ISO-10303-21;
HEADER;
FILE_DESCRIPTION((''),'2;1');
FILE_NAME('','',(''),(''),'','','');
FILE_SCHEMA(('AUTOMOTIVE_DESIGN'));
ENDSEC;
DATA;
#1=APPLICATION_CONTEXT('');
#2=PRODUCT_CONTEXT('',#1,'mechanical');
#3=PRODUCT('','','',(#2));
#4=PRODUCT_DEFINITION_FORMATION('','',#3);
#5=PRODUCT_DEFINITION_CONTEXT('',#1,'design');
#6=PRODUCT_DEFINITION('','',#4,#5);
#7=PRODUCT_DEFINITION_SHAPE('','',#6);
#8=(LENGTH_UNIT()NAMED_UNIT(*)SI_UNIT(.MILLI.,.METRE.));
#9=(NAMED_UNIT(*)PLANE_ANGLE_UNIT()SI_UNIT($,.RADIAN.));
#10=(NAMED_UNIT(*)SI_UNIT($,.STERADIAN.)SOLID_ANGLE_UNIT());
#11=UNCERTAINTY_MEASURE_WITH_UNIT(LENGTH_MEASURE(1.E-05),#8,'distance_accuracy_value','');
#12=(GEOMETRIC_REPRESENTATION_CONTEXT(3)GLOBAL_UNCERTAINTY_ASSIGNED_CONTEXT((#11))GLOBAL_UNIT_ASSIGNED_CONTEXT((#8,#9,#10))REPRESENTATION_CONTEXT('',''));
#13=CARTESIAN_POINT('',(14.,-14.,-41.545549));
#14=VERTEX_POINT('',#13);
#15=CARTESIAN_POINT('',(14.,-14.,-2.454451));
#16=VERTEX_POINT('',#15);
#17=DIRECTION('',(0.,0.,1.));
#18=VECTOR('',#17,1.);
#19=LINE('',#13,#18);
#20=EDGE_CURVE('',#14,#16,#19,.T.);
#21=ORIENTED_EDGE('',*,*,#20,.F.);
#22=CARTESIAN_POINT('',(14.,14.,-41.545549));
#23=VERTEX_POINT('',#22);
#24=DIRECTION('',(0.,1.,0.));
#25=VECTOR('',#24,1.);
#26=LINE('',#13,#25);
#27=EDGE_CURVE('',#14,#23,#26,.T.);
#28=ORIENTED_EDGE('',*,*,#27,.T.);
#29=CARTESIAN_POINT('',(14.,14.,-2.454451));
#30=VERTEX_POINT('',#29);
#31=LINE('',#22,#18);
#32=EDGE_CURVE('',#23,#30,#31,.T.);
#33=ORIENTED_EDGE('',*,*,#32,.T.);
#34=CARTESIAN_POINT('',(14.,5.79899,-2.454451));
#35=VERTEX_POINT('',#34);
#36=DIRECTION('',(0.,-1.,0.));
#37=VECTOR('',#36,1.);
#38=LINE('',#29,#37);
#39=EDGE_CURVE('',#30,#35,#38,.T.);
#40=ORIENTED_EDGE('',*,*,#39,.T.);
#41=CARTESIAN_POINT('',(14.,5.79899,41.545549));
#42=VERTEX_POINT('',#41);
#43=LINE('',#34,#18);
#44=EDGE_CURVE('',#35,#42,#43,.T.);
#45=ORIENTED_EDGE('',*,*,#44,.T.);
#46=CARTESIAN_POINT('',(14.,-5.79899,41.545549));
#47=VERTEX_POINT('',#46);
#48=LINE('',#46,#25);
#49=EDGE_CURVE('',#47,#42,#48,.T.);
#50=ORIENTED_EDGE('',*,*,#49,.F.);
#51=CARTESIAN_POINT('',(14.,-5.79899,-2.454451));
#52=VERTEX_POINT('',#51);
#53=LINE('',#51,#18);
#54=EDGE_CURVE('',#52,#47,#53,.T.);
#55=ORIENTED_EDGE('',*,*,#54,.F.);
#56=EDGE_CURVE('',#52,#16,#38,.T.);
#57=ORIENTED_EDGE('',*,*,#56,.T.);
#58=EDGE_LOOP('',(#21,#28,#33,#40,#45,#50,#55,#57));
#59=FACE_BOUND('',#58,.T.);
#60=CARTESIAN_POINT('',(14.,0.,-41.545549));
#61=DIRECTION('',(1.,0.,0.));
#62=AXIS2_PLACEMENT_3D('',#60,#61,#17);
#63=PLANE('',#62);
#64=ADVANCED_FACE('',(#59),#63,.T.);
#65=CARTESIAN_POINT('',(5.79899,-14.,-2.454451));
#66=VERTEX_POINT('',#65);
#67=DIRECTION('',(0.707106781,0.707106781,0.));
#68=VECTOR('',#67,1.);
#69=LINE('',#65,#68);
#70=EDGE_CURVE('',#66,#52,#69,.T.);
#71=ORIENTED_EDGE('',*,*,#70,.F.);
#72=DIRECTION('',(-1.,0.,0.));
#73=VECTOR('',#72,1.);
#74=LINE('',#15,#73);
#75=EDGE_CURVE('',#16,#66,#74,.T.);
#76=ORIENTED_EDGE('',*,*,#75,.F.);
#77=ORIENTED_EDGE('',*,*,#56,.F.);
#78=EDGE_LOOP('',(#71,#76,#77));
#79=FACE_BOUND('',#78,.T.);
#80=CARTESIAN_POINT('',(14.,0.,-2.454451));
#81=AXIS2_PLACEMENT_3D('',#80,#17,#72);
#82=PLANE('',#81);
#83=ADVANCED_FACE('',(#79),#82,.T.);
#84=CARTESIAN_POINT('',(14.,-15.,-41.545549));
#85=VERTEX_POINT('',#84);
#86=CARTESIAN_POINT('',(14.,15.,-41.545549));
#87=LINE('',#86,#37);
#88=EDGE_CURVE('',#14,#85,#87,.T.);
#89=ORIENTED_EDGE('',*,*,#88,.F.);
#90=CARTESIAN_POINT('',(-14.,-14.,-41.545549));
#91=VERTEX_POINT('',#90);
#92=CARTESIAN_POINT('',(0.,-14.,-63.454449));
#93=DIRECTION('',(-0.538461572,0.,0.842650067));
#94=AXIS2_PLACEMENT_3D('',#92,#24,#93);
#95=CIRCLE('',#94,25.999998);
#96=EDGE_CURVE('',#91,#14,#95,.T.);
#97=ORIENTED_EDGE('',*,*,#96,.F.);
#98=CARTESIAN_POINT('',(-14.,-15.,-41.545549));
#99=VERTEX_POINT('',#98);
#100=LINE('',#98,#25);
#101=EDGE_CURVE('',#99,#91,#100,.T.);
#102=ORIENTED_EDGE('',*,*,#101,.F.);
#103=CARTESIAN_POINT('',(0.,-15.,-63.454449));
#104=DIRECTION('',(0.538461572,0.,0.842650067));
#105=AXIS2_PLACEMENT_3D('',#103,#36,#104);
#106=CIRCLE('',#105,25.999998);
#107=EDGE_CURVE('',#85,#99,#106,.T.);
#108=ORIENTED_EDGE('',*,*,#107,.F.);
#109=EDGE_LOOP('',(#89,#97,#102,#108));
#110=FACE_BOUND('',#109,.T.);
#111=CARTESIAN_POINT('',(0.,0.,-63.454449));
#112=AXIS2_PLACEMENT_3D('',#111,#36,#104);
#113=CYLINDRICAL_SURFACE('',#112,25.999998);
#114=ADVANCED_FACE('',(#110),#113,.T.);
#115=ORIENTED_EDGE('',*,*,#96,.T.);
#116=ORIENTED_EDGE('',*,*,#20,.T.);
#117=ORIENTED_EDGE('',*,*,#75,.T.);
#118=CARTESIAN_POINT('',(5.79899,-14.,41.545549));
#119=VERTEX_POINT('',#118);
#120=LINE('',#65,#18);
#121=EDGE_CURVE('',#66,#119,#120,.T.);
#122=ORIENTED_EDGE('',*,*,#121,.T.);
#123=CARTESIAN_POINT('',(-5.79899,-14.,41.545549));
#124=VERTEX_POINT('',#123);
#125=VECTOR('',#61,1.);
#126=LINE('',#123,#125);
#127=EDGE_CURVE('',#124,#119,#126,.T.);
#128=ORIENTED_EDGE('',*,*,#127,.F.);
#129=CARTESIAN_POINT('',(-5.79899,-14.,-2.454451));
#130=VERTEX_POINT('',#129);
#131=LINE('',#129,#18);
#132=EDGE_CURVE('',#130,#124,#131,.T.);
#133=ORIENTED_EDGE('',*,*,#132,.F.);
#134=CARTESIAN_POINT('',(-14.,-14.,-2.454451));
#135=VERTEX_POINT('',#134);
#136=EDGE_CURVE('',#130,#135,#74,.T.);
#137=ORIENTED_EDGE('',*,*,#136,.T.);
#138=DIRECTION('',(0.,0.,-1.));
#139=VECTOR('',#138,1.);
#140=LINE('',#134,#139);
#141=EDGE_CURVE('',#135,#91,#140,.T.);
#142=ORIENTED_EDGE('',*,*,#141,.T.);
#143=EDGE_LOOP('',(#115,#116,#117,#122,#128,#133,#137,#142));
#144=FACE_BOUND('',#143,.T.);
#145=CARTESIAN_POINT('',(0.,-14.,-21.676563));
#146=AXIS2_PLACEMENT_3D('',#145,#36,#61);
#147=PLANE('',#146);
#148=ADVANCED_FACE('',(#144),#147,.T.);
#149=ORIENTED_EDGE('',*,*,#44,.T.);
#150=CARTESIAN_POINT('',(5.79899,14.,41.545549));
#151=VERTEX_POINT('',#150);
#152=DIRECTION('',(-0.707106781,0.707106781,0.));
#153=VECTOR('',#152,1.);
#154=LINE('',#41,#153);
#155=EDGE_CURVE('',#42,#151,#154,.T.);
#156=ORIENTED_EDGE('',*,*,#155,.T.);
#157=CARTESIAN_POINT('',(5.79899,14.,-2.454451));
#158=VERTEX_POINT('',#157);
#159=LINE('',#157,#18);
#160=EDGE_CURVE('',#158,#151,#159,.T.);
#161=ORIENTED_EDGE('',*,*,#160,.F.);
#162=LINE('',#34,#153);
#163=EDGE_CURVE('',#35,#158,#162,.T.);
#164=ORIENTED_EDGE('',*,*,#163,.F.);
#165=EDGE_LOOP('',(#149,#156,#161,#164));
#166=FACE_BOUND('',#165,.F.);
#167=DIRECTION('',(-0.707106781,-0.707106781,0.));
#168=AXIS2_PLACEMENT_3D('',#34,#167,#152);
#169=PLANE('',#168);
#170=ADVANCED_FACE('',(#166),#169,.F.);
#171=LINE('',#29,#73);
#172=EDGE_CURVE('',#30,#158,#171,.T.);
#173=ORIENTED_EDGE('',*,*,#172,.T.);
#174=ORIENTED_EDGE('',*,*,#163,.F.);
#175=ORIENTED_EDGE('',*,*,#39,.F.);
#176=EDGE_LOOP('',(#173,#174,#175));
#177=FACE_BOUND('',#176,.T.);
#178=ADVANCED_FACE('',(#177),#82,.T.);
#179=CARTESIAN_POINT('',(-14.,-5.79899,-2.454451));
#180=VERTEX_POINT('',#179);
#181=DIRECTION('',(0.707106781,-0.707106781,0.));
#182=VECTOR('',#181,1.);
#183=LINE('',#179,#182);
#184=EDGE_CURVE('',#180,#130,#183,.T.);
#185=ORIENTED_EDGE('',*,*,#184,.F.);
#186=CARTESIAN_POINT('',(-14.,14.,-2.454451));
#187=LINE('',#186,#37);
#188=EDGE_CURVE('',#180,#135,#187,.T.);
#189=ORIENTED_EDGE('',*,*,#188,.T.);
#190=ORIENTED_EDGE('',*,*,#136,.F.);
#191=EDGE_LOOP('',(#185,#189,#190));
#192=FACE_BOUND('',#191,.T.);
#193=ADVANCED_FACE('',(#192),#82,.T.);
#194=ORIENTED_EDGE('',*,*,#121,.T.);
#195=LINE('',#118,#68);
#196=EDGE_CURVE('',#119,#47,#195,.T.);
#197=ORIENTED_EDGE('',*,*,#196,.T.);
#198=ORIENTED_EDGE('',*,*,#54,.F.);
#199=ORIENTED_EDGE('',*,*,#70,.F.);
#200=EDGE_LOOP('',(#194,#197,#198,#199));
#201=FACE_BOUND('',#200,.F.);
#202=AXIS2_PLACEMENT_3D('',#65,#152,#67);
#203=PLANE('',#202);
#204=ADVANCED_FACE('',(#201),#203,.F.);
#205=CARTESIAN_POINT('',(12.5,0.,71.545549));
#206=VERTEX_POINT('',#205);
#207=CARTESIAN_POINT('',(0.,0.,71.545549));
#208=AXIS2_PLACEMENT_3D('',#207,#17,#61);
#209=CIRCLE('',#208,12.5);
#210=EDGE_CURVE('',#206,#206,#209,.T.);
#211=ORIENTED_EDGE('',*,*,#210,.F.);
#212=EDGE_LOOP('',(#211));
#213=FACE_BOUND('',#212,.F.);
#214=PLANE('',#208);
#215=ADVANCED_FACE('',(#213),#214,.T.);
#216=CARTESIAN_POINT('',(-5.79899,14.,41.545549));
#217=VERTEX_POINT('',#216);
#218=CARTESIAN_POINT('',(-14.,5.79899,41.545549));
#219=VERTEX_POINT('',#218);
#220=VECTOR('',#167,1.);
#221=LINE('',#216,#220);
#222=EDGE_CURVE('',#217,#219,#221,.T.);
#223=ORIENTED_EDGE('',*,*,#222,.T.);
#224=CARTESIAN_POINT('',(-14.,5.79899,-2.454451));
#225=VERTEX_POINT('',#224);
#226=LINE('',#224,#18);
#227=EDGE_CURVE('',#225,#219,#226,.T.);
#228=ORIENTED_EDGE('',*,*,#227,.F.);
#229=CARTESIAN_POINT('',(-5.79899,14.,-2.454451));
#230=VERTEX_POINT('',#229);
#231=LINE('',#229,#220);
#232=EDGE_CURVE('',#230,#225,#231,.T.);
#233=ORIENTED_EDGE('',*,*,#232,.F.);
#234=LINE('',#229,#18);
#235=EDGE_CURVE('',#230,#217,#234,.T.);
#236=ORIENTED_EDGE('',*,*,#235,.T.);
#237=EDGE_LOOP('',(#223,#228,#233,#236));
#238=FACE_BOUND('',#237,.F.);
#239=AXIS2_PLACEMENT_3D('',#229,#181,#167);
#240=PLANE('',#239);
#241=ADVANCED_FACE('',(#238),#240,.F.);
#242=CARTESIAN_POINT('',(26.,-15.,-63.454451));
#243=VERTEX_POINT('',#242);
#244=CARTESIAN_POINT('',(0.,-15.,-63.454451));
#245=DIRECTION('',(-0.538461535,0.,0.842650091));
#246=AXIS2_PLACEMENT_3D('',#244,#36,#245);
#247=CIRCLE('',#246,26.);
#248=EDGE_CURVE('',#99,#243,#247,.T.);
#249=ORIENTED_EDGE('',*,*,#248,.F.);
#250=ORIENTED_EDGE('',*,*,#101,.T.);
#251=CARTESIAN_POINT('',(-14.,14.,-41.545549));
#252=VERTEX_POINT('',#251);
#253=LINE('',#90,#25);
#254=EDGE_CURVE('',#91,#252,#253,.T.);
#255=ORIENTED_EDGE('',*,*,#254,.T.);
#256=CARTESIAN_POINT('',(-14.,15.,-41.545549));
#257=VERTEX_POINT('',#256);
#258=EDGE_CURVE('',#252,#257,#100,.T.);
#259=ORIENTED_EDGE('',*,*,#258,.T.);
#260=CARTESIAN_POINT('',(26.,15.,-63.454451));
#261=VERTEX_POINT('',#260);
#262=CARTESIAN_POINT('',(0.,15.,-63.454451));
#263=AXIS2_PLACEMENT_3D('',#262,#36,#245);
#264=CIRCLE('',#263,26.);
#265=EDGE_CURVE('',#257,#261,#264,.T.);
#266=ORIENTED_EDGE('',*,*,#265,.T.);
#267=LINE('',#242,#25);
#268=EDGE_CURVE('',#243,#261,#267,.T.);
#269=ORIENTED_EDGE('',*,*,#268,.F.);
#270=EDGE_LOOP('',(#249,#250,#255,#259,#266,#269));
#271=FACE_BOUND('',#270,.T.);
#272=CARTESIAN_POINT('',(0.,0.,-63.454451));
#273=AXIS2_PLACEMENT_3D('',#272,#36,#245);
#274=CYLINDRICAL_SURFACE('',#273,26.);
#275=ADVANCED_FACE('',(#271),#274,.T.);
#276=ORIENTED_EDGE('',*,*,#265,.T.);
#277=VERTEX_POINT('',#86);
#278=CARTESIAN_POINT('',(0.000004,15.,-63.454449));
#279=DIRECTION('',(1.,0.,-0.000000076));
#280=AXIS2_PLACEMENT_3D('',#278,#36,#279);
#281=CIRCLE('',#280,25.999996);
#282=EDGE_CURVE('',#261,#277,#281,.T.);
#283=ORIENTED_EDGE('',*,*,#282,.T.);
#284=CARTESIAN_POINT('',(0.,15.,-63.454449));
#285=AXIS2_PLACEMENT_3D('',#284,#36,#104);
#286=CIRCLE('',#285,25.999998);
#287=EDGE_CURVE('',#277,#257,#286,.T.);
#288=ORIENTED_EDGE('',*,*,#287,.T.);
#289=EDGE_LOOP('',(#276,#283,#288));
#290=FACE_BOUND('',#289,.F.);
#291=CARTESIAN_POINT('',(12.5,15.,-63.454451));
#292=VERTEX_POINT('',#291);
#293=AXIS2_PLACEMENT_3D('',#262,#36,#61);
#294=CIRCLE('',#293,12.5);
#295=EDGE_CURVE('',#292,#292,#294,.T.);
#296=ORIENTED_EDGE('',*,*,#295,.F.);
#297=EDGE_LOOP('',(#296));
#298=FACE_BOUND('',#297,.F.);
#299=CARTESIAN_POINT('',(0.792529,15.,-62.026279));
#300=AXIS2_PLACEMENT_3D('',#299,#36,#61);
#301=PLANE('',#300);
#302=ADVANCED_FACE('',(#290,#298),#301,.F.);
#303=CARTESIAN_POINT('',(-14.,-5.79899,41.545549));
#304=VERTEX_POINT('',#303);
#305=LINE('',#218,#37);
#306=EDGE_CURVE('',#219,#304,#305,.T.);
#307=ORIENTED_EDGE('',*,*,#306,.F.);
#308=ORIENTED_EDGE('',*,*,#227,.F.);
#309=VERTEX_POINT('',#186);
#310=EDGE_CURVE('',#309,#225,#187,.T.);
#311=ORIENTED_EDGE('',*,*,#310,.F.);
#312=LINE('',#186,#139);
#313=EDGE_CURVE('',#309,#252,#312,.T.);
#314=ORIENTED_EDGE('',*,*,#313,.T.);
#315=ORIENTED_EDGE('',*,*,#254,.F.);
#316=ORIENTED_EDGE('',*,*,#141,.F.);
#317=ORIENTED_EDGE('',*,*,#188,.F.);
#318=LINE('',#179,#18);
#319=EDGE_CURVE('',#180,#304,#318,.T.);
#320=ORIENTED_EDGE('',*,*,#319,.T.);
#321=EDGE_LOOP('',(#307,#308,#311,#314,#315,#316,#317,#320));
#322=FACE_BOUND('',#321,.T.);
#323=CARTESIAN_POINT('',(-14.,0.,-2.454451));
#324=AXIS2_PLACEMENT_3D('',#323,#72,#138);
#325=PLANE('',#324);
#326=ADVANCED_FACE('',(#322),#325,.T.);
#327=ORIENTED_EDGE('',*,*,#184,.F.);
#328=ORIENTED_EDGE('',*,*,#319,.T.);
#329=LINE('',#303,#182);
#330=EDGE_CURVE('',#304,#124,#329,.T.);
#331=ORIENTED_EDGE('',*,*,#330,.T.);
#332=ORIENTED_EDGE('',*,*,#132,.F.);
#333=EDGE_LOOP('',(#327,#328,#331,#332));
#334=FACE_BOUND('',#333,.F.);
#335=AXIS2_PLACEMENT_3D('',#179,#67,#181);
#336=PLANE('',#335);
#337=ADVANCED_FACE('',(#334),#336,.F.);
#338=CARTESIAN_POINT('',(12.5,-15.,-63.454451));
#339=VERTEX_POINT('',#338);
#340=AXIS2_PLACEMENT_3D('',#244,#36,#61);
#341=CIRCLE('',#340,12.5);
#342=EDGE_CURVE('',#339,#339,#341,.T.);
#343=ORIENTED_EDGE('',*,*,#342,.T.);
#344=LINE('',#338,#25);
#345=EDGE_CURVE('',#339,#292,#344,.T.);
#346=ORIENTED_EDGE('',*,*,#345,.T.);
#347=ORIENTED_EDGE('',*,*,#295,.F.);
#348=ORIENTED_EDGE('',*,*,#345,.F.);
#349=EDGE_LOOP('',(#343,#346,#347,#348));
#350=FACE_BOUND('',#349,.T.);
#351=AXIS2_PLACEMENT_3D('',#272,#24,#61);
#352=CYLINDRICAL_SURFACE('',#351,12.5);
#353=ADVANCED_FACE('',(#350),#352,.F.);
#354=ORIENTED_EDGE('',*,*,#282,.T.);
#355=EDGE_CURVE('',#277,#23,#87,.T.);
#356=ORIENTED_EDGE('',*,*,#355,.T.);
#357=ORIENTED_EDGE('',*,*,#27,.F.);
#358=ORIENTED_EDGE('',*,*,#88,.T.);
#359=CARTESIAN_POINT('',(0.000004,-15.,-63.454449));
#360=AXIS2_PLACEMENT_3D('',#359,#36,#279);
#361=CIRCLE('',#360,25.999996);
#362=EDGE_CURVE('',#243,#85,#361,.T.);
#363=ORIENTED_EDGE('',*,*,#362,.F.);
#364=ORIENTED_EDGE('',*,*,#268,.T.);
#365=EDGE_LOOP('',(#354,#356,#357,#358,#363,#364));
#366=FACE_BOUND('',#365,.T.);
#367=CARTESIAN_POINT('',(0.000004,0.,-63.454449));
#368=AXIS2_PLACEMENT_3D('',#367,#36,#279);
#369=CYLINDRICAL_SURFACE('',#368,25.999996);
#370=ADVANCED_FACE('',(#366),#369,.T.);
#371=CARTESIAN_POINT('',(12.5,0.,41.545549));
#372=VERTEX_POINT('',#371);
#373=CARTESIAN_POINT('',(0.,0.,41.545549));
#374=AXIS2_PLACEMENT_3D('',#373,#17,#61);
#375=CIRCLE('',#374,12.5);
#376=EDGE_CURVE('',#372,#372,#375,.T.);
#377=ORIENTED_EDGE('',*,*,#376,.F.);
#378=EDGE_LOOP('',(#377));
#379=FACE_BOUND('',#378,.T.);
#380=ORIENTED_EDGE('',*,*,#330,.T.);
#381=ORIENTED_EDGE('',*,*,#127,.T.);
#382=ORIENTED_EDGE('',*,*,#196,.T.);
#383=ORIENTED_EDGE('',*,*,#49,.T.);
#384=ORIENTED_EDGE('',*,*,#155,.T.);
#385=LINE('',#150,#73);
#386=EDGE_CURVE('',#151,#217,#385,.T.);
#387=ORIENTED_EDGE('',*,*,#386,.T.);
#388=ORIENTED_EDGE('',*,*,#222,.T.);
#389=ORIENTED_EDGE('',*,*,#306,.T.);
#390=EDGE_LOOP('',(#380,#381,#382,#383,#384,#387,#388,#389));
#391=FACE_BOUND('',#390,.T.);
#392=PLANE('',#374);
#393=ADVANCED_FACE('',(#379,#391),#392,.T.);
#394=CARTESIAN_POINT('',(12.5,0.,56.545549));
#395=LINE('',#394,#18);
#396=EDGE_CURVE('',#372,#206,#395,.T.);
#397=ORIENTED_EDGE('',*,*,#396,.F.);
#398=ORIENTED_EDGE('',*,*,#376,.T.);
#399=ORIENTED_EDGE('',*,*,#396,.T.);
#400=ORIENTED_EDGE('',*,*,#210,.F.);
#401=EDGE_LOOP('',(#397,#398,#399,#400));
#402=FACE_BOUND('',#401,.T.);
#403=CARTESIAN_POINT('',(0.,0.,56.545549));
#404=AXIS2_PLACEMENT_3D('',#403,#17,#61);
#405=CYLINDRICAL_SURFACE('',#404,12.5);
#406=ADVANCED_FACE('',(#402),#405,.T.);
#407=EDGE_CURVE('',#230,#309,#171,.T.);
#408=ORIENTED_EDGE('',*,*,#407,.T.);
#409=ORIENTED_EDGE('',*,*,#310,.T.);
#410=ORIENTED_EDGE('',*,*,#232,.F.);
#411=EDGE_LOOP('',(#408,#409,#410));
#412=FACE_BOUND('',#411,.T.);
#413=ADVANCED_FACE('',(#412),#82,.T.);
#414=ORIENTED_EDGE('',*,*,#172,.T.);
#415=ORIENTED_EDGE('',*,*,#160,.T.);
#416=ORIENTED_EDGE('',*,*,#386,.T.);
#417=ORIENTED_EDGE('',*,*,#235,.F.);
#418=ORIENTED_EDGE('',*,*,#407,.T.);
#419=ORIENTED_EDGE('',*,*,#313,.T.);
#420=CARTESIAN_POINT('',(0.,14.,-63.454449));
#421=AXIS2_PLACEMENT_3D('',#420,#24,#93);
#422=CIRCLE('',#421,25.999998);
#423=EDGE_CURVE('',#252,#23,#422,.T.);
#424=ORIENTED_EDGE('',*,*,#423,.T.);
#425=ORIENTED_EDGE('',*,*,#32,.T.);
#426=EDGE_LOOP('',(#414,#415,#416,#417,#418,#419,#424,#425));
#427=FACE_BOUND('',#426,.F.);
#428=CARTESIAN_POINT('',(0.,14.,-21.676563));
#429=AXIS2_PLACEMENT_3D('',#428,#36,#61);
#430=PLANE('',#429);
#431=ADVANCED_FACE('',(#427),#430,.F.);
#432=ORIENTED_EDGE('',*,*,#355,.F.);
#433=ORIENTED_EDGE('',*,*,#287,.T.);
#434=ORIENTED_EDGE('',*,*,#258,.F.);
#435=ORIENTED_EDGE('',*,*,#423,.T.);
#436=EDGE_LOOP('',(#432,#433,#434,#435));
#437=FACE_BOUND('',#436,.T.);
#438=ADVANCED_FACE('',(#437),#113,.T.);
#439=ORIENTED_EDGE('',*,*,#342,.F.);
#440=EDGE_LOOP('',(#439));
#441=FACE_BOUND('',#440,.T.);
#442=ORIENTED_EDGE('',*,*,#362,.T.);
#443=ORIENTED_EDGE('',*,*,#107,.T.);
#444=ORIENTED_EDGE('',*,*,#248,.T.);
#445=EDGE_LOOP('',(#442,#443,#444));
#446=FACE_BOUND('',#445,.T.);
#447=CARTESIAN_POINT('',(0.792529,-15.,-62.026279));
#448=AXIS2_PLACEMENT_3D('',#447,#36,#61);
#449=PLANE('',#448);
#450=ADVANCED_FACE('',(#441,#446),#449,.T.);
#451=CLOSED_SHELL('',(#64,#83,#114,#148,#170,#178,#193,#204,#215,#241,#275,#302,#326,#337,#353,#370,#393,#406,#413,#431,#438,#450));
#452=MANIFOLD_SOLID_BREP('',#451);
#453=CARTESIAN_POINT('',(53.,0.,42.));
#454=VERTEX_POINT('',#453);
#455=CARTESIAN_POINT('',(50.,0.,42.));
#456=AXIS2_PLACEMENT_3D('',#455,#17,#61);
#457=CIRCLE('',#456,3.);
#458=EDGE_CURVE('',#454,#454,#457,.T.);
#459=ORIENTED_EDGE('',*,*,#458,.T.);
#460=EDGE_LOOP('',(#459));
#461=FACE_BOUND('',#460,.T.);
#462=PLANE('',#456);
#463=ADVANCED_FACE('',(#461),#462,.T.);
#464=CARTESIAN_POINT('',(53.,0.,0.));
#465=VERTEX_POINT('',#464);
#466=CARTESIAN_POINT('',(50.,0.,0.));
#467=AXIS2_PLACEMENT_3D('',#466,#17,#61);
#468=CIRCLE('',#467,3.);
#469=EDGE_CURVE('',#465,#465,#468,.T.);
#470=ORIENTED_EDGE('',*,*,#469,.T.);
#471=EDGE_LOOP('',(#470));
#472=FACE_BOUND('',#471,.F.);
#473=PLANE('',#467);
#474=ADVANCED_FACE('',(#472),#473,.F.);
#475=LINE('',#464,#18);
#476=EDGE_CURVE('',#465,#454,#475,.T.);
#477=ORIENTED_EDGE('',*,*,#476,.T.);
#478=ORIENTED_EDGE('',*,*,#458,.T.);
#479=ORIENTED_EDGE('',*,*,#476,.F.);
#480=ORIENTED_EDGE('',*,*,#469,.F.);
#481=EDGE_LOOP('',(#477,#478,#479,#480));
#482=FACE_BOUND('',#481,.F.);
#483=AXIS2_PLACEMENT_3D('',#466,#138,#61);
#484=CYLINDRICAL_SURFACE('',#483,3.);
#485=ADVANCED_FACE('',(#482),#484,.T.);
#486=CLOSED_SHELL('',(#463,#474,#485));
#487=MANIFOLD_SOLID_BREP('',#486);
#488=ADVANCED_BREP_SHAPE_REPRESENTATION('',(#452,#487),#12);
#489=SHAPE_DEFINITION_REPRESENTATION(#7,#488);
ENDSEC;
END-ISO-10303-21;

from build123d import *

# Parameters (mm, degrees)
F0_R     = 12.5
F1_DEPTH = 15
F2_DEPTH = 14
F4_DEPTH = 44
F0_W     = 12.5
F0_H     = 30
F6_R     = 3
F7_DEPTH = 42


with BuildPart() as f1:
    # F0 (on Front) → F1 (new body, symmetric)
    with BuildSketch(Plane.XZ):
        with BuildLine():
            ThreePointArc((26, -63.454451), (22.803509, -50.964455), (14, -41.545549))
            ThreePointArc((14, -41.545549), (0, -37.454451), (-14, -41.545549))
            ThreePointArc((-14, -41.545549), (-12.489996, -86.25796), (26, -63.454451))
        make_face()
        with Locations((0, -63.454451)):
            Circle(F0_R, mode=Mode.SUBTRACT)
    extrude(amount=F1_DEPTH, both=True)

    # F0 (on Front) → F2 (join, symmetric)
    with BuildSketch(Plane.XZ):
        with BuildLine():
            Line((14, -41.545549), (14, -2.454451))
            Line((14, -2.454451), (-14, -2.454451))
            Line((-14, -2.454451), (-14, -41.545549))
            ThreePointArc((-14, -41.545549), (0, -37.454451), (14, -41.545549))
        make_face()
    extrude(amount=F2_DEPTH, both=True)

    # F3 (on face) → F4 (join)
    with BuildSketch(Plane.XY.offset(-2.454451)):
        Polygon((14, 5.79899), (5.79899, 14), (-5.79899, 14), (-14, 5.79899), (-14, -5.79899), (-5.79899, -14), (5.79899, -14), (14, -5.79899), align=None)
    extrude(amount=F4_DEPTH)

    # F0 (on Front) → F5 (revolve)
    with BuildSketch(Plane.XZ):
        with Locations((6.25, 56.545549)):
            Rectangle(F0_W, F0_H)
    revolve(axis=Axis((0, 0, 56.545549), (0, 0, 1)))


with BuildPart() as f7:
    # F6 (on Top) → F7 (new body)
    with BuildSketch(Plane.XY):
        with Locations((50, 0)):
            Circle(F6_R)
    extrude(amount=F7_DEPTH)


solid = Compound([f1.part, f7.part])
